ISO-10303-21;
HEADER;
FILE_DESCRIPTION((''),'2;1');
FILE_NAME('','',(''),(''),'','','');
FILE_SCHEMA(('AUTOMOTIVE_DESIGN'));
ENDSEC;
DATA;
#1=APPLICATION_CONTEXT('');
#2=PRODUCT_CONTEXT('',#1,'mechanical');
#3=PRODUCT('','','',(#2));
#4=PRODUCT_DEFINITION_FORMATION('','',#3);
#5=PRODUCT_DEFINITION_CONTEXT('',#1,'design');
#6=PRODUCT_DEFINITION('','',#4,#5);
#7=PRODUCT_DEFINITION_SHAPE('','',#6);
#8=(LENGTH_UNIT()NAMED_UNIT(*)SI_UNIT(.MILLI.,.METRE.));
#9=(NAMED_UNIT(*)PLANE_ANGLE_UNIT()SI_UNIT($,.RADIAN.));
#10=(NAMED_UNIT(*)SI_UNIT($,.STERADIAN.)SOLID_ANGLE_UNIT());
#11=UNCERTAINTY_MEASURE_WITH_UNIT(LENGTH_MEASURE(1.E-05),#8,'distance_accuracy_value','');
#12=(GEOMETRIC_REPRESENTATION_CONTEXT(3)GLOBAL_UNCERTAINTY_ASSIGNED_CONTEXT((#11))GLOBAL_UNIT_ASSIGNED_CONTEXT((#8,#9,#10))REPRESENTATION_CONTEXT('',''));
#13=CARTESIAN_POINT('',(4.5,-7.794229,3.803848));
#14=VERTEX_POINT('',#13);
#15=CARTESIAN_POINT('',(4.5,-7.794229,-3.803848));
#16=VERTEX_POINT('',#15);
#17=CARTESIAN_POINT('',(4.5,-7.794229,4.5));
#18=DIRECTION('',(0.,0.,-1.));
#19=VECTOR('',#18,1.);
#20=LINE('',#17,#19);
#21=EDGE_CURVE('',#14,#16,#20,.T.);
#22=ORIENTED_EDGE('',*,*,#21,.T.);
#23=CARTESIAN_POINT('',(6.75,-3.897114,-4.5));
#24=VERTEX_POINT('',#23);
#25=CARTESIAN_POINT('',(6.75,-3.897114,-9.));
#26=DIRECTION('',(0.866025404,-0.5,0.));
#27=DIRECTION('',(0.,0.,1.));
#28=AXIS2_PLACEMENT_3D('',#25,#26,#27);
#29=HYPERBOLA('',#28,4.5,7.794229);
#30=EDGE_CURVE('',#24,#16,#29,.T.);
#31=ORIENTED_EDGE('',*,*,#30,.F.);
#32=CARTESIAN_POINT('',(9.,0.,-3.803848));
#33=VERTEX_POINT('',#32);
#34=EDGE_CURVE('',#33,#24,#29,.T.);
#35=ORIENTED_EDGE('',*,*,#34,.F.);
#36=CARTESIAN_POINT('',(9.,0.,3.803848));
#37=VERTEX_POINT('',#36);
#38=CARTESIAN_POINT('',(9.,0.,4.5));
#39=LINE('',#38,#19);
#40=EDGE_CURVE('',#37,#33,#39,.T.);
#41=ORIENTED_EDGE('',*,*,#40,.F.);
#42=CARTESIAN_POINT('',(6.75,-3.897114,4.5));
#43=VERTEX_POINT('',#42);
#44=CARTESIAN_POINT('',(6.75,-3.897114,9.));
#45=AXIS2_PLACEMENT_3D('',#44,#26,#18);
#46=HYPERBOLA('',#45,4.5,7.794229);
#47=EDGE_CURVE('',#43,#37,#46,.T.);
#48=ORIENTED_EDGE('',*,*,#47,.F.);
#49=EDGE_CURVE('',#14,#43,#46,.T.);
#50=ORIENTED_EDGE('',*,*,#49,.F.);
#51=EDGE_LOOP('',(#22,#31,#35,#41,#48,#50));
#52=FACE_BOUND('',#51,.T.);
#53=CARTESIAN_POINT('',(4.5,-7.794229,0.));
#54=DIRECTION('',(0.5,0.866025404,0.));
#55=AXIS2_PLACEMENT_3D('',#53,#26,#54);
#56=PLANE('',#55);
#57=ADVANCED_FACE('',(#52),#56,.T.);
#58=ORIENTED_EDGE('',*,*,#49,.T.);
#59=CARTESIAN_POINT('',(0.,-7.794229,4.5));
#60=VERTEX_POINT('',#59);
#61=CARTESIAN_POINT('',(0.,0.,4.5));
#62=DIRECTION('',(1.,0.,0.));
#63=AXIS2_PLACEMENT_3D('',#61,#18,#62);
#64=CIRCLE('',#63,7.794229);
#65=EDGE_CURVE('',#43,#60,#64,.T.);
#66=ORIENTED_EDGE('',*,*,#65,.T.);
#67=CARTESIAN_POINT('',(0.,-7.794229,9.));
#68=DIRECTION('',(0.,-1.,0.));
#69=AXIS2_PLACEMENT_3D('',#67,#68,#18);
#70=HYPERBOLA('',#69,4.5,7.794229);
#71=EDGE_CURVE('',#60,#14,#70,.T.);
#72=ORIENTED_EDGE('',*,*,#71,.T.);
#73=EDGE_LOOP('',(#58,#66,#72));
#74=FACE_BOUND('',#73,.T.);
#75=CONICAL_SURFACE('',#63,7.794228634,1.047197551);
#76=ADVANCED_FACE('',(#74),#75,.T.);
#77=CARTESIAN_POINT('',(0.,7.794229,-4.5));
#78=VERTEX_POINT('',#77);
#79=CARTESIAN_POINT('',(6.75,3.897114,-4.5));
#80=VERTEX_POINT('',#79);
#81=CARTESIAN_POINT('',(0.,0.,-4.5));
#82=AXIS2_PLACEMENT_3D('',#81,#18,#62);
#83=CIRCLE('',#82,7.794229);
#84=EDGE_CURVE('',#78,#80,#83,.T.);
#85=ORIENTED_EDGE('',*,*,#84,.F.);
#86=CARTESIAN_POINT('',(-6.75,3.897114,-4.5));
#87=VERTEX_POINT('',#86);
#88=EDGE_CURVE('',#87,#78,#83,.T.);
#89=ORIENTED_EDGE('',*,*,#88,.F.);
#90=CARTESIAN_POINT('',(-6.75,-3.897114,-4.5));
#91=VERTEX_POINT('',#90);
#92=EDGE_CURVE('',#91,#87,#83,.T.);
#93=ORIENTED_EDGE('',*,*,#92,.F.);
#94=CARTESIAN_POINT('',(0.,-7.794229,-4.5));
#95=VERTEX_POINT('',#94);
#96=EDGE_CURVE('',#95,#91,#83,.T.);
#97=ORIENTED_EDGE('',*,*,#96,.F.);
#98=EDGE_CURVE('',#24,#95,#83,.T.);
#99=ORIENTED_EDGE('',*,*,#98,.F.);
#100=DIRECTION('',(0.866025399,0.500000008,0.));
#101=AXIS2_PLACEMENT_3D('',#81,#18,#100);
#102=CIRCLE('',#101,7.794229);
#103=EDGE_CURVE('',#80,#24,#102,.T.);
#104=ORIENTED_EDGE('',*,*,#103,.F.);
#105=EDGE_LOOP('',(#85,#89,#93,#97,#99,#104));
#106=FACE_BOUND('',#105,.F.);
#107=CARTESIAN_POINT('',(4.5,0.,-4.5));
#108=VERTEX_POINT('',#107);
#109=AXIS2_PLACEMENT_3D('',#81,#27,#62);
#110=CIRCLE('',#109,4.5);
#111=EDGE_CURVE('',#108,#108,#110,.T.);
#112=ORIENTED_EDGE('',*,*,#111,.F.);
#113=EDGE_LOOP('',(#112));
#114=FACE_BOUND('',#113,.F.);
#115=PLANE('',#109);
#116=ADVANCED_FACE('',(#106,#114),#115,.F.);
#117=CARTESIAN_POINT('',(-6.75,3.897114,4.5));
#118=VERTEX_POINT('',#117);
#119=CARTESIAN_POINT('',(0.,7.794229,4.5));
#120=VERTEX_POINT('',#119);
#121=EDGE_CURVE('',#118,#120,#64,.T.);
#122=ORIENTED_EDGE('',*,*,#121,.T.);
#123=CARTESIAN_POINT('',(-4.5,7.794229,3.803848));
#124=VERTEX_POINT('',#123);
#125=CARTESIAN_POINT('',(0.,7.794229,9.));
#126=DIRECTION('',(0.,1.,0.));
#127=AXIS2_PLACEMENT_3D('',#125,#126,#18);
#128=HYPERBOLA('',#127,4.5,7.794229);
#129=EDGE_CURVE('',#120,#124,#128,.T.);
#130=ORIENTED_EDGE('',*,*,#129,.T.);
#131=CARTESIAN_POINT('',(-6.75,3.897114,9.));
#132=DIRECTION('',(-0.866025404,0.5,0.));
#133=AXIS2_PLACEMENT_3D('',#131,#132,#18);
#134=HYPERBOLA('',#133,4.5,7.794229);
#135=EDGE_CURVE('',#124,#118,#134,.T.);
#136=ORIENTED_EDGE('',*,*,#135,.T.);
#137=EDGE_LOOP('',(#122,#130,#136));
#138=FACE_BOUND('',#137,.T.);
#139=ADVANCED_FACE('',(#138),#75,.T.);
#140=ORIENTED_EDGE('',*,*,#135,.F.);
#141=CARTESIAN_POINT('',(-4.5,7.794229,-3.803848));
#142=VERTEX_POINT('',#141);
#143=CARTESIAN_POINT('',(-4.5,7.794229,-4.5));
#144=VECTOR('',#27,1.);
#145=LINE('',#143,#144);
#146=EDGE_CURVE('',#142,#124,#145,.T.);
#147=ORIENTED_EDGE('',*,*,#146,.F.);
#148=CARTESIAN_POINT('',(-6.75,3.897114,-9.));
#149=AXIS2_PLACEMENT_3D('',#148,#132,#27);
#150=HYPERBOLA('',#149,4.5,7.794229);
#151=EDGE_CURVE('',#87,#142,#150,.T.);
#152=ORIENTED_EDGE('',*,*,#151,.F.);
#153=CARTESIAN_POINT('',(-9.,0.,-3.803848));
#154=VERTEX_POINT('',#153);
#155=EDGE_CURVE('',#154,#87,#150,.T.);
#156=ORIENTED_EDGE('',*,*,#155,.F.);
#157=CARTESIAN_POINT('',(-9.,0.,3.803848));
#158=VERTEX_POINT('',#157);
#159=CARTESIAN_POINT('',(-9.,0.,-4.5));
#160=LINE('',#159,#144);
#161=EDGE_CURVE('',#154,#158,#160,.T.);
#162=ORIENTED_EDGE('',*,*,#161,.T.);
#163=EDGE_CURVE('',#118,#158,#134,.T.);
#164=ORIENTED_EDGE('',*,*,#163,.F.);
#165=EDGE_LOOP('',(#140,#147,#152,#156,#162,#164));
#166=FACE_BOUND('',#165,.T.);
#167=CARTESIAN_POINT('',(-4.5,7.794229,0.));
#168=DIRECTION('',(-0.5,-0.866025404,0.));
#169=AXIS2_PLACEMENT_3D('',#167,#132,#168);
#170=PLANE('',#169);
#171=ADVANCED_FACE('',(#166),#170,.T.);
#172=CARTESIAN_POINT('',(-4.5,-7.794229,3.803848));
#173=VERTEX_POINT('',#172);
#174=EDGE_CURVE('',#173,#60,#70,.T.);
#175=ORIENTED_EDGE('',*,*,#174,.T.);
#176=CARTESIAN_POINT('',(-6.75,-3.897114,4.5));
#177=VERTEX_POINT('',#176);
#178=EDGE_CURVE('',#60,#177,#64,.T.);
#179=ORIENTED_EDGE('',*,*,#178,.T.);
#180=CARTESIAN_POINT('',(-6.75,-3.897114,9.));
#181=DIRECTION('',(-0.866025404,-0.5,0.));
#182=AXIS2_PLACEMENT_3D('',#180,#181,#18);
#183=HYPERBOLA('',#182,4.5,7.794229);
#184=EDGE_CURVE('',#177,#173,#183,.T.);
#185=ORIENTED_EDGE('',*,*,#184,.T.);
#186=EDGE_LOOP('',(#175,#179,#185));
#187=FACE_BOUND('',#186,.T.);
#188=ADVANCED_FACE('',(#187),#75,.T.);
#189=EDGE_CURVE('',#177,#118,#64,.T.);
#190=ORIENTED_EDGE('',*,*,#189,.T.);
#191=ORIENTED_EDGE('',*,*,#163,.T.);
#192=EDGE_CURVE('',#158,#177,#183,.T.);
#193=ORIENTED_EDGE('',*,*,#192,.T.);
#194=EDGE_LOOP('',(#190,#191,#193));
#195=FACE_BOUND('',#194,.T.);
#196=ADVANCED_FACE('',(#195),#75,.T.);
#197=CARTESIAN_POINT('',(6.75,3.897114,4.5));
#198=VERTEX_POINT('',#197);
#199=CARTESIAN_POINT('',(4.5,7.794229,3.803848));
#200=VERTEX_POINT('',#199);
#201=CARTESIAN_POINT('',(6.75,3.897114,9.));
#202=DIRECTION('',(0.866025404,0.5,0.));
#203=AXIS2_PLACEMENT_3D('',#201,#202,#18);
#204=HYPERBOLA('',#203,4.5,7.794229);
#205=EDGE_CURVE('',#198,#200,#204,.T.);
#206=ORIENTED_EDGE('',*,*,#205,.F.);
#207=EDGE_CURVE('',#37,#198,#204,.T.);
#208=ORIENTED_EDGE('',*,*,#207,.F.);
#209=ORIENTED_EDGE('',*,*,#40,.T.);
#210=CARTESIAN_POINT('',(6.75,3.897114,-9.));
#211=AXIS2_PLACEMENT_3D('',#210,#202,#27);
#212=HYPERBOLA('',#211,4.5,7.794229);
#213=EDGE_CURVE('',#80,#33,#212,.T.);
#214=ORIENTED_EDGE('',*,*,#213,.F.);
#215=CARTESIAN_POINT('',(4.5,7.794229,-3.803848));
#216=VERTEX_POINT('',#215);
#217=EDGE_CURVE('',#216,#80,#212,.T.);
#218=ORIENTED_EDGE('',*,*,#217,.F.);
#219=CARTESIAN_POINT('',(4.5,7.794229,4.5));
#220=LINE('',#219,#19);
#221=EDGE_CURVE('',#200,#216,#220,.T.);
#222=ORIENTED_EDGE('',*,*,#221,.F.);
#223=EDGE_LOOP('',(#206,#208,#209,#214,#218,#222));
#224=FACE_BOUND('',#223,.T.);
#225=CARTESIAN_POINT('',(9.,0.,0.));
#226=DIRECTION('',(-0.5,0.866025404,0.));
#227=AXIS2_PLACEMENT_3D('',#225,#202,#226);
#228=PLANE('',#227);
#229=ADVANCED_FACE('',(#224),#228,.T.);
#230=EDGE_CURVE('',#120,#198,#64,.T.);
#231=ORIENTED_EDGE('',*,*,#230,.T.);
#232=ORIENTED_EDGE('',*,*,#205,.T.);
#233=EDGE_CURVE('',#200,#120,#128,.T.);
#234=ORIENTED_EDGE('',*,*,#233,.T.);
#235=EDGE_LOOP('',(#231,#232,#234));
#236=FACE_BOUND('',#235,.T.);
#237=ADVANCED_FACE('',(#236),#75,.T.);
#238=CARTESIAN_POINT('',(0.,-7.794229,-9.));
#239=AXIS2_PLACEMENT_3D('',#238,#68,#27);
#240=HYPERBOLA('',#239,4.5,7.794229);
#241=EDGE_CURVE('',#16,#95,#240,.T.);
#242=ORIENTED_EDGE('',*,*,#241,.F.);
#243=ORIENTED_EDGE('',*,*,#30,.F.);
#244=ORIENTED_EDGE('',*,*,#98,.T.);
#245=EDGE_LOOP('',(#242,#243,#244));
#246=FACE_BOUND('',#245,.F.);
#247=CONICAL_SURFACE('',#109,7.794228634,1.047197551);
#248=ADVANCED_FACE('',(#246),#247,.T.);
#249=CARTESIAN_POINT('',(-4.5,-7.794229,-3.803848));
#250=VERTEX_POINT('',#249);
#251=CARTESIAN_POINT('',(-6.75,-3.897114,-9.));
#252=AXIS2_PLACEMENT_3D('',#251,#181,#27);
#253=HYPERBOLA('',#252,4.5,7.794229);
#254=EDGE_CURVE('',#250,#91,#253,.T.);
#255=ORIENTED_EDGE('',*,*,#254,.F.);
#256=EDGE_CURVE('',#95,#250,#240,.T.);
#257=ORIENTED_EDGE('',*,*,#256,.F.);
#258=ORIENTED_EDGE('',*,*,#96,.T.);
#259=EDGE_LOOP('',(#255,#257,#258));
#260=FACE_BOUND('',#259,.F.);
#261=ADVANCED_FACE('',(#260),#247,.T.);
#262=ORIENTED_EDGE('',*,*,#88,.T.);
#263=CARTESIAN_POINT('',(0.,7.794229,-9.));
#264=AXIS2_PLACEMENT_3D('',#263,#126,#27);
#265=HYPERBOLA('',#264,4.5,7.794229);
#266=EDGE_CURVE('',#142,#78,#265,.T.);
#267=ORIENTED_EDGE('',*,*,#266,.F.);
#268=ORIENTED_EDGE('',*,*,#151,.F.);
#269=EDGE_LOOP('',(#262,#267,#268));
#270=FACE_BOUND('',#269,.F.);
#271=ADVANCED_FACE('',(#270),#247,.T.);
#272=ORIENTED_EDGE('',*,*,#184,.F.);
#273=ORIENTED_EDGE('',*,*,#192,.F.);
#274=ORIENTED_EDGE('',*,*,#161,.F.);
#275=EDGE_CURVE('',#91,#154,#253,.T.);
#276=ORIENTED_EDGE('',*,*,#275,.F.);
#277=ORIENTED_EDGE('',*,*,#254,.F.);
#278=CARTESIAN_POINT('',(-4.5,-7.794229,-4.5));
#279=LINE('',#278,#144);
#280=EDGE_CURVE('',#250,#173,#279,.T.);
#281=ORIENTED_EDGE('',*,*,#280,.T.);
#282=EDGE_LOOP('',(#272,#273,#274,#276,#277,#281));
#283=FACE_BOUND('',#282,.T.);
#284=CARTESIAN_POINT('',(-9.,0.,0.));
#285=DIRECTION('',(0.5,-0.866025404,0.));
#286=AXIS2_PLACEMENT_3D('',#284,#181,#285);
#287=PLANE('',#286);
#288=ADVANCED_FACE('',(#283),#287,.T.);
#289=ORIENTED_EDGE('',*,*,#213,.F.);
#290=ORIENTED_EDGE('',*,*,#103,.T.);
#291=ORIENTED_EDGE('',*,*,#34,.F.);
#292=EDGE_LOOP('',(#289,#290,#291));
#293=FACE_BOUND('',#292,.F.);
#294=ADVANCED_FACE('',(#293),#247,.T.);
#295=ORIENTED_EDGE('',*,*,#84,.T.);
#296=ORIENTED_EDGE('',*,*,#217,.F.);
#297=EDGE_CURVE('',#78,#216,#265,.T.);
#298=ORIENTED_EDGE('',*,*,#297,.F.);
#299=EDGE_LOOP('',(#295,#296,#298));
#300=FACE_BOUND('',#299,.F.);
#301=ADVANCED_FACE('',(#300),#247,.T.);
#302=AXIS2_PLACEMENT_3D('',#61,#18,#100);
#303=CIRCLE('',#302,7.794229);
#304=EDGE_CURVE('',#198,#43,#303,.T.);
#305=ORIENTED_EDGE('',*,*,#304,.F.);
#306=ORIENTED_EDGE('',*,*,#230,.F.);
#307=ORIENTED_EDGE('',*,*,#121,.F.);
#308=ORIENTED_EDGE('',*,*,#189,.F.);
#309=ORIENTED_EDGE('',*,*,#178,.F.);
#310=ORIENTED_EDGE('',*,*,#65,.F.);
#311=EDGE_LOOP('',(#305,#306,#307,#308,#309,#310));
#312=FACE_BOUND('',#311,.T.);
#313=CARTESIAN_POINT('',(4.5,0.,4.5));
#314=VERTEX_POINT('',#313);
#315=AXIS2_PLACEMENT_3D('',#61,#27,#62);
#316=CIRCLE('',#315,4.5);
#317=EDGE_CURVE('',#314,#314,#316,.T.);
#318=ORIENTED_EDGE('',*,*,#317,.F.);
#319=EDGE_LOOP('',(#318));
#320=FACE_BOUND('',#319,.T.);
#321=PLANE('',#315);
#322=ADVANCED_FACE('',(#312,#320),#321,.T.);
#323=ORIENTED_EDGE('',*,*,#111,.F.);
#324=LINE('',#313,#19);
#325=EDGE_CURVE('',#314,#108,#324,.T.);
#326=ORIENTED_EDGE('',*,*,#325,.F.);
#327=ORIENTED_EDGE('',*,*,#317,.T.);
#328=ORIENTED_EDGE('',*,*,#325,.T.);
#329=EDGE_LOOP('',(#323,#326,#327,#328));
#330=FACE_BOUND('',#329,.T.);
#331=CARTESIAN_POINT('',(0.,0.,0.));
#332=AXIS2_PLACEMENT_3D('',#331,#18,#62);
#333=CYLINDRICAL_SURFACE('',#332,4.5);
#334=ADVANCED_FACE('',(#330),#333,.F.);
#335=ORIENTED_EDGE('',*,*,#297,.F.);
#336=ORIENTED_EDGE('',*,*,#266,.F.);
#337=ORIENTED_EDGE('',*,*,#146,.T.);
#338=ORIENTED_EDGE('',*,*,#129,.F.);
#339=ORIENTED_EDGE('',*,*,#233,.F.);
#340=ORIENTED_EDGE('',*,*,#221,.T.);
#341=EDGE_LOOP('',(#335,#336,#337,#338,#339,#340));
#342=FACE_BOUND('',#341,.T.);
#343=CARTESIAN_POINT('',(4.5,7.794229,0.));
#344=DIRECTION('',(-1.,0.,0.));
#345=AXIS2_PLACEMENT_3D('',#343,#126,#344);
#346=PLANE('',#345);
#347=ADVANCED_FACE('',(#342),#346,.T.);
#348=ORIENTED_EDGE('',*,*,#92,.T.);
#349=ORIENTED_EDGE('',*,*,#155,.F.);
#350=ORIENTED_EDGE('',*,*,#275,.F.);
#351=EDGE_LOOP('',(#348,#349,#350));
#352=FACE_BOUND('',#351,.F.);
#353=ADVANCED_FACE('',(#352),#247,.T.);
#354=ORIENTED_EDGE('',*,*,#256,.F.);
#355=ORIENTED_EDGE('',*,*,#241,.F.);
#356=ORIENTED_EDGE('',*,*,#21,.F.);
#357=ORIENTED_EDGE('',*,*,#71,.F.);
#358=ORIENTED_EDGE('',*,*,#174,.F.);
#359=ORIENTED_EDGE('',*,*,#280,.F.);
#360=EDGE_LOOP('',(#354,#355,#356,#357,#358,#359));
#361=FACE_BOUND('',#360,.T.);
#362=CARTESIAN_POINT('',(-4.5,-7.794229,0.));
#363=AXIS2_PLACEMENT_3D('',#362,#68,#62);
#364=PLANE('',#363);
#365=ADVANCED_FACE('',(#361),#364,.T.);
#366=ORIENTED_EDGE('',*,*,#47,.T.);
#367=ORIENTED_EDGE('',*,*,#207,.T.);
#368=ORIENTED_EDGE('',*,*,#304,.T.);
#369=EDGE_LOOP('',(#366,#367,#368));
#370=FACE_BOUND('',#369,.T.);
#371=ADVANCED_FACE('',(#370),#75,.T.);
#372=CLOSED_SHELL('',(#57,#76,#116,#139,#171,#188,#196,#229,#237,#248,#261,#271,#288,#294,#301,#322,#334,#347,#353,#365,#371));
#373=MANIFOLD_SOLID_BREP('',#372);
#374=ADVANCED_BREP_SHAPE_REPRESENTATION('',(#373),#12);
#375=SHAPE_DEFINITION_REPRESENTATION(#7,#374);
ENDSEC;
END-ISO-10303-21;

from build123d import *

# Parameters (mm, degrees)
SKETCH4_R           = 4.5
BOSS_EXTRUDE1_DEPTH = 4.5
SKETCH5_OUTSIDE_W   = 56.268
SKETCH5_OUTSIDE_H   = 53.856
SKETCH5_OUTSIDE_R   = 7.794228634
CUT_EXTRUDE1_DEPTH  = 9
CUT_EXTRUDE1_TAPER  = 60


with BuildPart() as part:
    # Sketch4 → Boss-Extrude1 (new body, symmetric)
    with BuildSketch(Plane.XY):
        Polygon((4.5, 7.794228634), (-4.5, 7.794228634), (-9, 0), (-4.5, -7.794228634), (4.5, -7.794228634), (9, 0), align=None)
        Circle(SKETCH4_R, mode=Mode.SUBTRACT)
    extrude(amount=BOSS_EXTRUDE1_DEPTH, both=True)

    # Sketch5 outside → Cut-Extrude1 (cut)
    with BuildSketch(Plane.XY.offset(4.5)):
        Rectangle(SKETCH5_OUTSIDE_W, SKETCH5_OUTSIDE_H)
        Circle(SKETCH5_OUTSIDE_R, mode=Mode.SUBTRACT)
    cut_extrude1 = extrude(amount=-CUT_EXTRUDE1_DEPTH, taper=CUT_EXTRUDE1_TAPER, mode=Mode.SUBTRACT)

    # Mirror1: Cut-Extrude1 across plane
    add(cut_extrude1.mirror(Plane.XY), mode=Mode.SUBTRACT)


solid = part.part
